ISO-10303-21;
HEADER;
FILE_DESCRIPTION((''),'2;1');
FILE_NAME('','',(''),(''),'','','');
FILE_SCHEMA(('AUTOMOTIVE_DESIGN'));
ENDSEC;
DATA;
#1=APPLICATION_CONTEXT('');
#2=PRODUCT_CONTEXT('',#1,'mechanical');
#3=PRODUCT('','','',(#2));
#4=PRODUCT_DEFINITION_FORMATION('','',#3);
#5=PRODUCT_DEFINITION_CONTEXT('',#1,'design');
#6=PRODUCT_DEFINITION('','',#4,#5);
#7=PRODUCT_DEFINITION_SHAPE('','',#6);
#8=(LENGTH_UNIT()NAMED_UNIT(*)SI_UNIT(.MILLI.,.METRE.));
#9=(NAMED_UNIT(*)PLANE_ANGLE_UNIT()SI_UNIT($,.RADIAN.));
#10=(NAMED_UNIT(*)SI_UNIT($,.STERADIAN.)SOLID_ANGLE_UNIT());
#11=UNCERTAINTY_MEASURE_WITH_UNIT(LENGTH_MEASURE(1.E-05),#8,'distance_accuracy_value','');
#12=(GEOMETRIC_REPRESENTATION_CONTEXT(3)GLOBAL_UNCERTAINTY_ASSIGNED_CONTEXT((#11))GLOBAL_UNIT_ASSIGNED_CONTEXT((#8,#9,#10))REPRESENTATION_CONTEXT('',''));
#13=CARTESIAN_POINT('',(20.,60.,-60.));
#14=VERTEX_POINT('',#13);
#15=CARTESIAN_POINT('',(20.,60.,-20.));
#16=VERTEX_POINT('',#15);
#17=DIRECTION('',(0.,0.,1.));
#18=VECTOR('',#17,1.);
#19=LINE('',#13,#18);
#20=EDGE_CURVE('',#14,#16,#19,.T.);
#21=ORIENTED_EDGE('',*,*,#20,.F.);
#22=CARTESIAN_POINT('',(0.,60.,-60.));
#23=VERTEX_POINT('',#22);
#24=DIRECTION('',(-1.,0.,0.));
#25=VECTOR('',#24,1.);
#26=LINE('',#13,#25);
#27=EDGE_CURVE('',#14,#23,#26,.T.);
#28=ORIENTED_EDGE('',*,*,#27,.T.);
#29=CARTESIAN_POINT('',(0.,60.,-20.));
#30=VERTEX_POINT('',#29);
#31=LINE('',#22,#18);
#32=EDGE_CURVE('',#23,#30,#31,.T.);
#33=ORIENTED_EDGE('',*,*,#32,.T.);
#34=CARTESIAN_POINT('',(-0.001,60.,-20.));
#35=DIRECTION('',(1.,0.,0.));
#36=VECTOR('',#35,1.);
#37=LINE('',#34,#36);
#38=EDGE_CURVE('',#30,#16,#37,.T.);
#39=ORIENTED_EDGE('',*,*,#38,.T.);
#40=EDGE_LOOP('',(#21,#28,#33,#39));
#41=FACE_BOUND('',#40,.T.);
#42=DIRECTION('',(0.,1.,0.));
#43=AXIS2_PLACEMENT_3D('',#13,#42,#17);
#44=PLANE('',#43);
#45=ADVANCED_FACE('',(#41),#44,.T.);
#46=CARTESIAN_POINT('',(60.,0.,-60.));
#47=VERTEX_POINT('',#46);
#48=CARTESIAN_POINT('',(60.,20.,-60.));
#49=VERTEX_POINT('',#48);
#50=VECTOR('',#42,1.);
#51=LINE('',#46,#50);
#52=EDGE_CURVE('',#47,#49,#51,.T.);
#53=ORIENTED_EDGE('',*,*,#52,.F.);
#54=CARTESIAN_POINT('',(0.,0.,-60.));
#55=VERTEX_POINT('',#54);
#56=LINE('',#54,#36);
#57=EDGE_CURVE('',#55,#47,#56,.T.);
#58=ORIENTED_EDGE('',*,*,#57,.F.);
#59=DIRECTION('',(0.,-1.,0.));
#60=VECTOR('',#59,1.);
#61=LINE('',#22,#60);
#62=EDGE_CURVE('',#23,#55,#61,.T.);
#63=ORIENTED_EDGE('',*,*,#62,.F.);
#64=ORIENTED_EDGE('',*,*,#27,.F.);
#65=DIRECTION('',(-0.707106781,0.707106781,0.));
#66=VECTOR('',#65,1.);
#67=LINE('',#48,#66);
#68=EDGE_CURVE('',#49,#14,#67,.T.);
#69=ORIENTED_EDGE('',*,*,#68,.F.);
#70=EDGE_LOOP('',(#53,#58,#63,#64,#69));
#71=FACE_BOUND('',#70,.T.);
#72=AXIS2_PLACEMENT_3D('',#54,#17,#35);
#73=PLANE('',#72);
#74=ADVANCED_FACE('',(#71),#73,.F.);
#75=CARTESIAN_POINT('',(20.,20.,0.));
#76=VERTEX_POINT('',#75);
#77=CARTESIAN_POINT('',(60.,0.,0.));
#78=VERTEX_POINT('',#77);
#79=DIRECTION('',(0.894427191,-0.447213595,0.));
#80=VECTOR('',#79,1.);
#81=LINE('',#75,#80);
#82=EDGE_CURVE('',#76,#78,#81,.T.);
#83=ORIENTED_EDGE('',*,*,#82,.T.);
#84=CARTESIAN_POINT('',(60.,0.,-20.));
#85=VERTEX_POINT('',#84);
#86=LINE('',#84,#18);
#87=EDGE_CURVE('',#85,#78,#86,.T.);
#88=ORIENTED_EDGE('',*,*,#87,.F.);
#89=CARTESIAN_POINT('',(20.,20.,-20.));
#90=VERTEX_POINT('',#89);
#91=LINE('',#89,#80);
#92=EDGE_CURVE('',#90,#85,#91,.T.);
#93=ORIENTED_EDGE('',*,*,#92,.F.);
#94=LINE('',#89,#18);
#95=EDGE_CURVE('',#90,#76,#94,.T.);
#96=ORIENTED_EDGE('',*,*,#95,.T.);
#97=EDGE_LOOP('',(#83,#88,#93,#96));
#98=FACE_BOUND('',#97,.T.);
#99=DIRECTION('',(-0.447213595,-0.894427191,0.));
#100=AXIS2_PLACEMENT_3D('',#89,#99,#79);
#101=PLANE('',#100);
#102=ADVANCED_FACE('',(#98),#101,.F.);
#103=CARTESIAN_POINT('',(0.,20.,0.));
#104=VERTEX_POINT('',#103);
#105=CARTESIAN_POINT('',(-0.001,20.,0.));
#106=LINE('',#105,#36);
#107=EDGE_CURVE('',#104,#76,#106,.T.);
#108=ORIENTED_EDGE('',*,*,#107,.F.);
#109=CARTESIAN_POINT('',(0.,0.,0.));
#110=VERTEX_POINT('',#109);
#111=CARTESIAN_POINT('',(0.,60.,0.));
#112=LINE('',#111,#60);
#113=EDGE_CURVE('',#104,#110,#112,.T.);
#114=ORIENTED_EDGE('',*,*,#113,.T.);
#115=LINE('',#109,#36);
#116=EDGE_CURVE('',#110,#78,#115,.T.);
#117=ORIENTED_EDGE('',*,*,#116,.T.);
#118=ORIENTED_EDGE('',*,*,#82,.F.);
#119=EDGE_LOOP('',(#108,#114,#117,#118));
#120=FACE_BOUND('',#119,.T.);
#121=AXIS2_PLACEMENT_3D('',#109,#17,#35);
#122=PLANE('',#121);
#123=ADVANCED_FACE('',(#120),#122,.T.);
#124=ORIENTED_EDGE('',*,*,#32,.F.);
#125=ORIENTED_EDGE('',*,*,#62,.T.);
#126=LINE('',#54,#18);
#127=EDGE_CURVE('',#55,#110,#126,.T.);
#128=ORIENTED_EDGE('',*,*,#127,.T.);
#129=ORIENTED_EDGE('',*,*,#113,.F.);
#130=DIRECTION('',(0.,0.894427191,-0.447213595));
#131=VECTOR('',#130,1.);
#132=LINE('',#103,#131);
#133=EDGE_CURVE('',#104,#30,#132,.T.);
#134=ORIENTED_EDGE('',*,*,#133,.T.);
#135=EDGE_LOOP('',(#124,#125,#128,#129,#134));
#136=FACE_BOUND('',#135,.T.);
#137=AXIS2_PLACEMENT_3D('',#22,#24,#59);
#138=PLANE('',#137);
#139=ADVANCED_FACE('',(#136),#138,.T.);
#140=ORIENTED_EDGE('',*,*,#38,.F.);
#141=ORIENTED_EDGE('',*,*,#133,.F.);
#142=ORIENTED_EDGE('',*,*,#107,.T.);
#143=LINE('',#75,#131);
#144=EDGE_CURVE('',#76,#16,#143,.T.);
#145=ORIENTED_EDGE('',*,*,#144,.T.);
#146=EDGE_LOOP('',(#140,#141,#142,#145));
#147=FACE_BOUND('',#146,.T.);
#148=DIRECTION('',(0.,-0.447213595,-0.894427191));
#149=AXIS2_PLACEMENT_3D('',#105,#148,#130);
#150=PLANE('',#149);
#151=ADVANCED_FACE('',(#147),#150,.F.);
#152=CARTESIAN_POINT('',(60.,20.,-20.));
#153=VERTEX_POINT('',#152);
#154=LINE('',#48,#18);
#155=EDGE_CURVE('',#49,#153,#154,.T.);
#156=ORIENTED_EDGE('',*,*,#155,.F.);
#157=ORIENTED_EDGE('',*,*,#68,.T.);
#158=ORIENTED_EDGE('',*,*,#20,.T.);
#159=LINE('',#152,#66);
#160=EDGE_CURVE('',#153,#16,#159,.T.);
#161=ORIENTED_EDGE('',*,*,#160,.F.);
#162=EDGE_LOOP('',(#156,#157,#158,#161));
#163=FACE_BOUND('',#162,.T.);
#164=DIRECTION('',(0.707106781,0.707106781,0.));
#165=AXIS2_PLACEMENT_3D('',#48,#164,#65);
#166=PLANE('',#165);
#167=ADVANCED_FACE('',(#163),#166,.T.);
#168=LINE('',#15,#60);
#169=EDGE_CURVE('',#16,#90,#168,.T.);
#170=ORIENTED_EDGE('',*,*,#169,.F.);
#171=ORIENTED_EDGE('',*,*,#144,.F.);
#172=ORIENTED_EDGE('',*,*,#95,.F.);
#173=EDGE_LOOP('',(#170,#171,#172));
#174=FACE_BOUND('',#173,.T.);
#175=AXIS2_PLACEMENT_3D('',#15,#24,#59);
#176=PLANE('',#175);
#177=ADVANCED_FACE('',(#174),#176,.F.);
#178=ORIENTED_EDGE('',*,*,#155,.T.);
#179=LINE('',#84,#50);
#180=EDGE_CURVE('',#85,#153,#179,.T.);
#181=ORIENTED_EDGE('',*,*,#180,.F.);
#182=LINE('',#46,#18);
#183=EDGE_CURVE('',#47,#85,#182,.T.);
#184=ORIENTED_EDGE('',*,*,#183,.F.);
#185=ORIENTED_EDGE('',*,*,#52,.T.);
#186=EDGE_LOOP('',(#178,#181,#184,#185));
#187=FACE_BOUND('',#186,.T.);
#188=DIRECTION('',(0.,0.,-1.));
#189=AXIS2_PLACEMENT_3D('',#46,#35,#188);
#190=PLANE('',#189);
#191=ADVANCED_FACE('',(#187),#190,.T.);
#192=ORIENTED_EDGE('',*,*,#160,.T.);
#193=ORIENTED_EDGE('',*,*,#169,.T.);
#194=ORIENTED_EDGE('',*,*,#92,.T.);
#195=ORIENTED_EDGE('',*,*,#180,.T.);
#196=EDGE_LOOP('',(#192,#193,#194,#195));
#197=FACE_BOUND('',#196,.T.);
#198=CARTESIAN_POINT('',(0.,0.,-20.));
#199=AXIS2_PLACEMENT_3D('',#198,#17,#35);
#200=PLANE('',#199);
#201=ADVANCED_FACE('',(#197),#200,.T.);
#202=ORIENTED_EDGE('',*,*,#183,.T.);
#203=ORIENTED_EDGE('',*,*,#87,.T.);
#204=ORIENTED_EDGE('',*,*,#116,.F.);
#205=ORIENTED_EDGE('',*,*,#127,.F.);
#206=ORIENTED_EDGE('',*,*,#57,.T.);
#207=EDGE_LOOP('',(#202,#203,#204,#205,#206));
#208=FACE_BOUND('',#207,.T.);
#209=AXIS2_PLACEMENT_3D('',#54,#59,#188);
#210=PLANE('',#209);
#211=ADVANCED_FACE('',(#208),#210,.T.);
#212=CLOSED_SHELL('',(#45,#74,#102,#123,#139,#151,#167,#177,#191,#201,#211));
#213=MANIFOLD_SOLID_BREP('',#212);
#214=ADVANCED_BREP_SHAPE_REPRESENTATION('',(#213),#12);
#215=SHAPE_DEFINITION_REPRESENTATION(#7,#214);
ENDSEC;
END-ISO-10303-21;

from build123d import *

# Parameters (mm, degrees)
SALIENTE_EXTRUIR1_DEPTH = 60
CORTAR_EXTRUIR1_DEPTH   = 20
CORTAR_EXTRUIR2_REACH   = 22


with BuildPart() as part:
    # Croquis1 → Saliente-Extruir1 (new body)
    with BuildSketch(Plane.XY):
        Polygon((0, 0), (60, 0), (60, 20), (20, 60), (0, 60), align=None)
    extrude(amount=-SALIENTE_EXTRUIR1_DEPTH)

    # Croquis2 → Cortar-Extruir1 (cut)
    with BuildSketch(Plane.XY):
        Polygon((20, 60), (20, 20), (60, 0), (60, 20), align=None)
    extrude(amount=-CORTAR_EXTRUIR1_DEPTH, mode=Mode.SUBTRACT)

    # Croquis3 → Cortar-Extruir2 (cut, up to next)
    with BuildSketch(Plane(origin=(20, 0, 0), x_dir=(0, 0, -1), z_dir=(1, 0, 0)), mode=Mode.PRIVATE) as cortar_extruir2_sk1:
        Polygon((0, 20), (20, 60), (0, 60), align=None)
    cortar_extruir2_tool1 = extrude(cortar_extruir2_sk1.sketch, amount=-CORTAR_EXTRUIR2_REACH, mode=Mode.PRIVATE) & part.part
    add(cortar_extruir2_tool1.solids().sort_by_distance((20, 46.666667, -6.666667))[0], mode=Mode.SUBTRACT)


solid = part.part
